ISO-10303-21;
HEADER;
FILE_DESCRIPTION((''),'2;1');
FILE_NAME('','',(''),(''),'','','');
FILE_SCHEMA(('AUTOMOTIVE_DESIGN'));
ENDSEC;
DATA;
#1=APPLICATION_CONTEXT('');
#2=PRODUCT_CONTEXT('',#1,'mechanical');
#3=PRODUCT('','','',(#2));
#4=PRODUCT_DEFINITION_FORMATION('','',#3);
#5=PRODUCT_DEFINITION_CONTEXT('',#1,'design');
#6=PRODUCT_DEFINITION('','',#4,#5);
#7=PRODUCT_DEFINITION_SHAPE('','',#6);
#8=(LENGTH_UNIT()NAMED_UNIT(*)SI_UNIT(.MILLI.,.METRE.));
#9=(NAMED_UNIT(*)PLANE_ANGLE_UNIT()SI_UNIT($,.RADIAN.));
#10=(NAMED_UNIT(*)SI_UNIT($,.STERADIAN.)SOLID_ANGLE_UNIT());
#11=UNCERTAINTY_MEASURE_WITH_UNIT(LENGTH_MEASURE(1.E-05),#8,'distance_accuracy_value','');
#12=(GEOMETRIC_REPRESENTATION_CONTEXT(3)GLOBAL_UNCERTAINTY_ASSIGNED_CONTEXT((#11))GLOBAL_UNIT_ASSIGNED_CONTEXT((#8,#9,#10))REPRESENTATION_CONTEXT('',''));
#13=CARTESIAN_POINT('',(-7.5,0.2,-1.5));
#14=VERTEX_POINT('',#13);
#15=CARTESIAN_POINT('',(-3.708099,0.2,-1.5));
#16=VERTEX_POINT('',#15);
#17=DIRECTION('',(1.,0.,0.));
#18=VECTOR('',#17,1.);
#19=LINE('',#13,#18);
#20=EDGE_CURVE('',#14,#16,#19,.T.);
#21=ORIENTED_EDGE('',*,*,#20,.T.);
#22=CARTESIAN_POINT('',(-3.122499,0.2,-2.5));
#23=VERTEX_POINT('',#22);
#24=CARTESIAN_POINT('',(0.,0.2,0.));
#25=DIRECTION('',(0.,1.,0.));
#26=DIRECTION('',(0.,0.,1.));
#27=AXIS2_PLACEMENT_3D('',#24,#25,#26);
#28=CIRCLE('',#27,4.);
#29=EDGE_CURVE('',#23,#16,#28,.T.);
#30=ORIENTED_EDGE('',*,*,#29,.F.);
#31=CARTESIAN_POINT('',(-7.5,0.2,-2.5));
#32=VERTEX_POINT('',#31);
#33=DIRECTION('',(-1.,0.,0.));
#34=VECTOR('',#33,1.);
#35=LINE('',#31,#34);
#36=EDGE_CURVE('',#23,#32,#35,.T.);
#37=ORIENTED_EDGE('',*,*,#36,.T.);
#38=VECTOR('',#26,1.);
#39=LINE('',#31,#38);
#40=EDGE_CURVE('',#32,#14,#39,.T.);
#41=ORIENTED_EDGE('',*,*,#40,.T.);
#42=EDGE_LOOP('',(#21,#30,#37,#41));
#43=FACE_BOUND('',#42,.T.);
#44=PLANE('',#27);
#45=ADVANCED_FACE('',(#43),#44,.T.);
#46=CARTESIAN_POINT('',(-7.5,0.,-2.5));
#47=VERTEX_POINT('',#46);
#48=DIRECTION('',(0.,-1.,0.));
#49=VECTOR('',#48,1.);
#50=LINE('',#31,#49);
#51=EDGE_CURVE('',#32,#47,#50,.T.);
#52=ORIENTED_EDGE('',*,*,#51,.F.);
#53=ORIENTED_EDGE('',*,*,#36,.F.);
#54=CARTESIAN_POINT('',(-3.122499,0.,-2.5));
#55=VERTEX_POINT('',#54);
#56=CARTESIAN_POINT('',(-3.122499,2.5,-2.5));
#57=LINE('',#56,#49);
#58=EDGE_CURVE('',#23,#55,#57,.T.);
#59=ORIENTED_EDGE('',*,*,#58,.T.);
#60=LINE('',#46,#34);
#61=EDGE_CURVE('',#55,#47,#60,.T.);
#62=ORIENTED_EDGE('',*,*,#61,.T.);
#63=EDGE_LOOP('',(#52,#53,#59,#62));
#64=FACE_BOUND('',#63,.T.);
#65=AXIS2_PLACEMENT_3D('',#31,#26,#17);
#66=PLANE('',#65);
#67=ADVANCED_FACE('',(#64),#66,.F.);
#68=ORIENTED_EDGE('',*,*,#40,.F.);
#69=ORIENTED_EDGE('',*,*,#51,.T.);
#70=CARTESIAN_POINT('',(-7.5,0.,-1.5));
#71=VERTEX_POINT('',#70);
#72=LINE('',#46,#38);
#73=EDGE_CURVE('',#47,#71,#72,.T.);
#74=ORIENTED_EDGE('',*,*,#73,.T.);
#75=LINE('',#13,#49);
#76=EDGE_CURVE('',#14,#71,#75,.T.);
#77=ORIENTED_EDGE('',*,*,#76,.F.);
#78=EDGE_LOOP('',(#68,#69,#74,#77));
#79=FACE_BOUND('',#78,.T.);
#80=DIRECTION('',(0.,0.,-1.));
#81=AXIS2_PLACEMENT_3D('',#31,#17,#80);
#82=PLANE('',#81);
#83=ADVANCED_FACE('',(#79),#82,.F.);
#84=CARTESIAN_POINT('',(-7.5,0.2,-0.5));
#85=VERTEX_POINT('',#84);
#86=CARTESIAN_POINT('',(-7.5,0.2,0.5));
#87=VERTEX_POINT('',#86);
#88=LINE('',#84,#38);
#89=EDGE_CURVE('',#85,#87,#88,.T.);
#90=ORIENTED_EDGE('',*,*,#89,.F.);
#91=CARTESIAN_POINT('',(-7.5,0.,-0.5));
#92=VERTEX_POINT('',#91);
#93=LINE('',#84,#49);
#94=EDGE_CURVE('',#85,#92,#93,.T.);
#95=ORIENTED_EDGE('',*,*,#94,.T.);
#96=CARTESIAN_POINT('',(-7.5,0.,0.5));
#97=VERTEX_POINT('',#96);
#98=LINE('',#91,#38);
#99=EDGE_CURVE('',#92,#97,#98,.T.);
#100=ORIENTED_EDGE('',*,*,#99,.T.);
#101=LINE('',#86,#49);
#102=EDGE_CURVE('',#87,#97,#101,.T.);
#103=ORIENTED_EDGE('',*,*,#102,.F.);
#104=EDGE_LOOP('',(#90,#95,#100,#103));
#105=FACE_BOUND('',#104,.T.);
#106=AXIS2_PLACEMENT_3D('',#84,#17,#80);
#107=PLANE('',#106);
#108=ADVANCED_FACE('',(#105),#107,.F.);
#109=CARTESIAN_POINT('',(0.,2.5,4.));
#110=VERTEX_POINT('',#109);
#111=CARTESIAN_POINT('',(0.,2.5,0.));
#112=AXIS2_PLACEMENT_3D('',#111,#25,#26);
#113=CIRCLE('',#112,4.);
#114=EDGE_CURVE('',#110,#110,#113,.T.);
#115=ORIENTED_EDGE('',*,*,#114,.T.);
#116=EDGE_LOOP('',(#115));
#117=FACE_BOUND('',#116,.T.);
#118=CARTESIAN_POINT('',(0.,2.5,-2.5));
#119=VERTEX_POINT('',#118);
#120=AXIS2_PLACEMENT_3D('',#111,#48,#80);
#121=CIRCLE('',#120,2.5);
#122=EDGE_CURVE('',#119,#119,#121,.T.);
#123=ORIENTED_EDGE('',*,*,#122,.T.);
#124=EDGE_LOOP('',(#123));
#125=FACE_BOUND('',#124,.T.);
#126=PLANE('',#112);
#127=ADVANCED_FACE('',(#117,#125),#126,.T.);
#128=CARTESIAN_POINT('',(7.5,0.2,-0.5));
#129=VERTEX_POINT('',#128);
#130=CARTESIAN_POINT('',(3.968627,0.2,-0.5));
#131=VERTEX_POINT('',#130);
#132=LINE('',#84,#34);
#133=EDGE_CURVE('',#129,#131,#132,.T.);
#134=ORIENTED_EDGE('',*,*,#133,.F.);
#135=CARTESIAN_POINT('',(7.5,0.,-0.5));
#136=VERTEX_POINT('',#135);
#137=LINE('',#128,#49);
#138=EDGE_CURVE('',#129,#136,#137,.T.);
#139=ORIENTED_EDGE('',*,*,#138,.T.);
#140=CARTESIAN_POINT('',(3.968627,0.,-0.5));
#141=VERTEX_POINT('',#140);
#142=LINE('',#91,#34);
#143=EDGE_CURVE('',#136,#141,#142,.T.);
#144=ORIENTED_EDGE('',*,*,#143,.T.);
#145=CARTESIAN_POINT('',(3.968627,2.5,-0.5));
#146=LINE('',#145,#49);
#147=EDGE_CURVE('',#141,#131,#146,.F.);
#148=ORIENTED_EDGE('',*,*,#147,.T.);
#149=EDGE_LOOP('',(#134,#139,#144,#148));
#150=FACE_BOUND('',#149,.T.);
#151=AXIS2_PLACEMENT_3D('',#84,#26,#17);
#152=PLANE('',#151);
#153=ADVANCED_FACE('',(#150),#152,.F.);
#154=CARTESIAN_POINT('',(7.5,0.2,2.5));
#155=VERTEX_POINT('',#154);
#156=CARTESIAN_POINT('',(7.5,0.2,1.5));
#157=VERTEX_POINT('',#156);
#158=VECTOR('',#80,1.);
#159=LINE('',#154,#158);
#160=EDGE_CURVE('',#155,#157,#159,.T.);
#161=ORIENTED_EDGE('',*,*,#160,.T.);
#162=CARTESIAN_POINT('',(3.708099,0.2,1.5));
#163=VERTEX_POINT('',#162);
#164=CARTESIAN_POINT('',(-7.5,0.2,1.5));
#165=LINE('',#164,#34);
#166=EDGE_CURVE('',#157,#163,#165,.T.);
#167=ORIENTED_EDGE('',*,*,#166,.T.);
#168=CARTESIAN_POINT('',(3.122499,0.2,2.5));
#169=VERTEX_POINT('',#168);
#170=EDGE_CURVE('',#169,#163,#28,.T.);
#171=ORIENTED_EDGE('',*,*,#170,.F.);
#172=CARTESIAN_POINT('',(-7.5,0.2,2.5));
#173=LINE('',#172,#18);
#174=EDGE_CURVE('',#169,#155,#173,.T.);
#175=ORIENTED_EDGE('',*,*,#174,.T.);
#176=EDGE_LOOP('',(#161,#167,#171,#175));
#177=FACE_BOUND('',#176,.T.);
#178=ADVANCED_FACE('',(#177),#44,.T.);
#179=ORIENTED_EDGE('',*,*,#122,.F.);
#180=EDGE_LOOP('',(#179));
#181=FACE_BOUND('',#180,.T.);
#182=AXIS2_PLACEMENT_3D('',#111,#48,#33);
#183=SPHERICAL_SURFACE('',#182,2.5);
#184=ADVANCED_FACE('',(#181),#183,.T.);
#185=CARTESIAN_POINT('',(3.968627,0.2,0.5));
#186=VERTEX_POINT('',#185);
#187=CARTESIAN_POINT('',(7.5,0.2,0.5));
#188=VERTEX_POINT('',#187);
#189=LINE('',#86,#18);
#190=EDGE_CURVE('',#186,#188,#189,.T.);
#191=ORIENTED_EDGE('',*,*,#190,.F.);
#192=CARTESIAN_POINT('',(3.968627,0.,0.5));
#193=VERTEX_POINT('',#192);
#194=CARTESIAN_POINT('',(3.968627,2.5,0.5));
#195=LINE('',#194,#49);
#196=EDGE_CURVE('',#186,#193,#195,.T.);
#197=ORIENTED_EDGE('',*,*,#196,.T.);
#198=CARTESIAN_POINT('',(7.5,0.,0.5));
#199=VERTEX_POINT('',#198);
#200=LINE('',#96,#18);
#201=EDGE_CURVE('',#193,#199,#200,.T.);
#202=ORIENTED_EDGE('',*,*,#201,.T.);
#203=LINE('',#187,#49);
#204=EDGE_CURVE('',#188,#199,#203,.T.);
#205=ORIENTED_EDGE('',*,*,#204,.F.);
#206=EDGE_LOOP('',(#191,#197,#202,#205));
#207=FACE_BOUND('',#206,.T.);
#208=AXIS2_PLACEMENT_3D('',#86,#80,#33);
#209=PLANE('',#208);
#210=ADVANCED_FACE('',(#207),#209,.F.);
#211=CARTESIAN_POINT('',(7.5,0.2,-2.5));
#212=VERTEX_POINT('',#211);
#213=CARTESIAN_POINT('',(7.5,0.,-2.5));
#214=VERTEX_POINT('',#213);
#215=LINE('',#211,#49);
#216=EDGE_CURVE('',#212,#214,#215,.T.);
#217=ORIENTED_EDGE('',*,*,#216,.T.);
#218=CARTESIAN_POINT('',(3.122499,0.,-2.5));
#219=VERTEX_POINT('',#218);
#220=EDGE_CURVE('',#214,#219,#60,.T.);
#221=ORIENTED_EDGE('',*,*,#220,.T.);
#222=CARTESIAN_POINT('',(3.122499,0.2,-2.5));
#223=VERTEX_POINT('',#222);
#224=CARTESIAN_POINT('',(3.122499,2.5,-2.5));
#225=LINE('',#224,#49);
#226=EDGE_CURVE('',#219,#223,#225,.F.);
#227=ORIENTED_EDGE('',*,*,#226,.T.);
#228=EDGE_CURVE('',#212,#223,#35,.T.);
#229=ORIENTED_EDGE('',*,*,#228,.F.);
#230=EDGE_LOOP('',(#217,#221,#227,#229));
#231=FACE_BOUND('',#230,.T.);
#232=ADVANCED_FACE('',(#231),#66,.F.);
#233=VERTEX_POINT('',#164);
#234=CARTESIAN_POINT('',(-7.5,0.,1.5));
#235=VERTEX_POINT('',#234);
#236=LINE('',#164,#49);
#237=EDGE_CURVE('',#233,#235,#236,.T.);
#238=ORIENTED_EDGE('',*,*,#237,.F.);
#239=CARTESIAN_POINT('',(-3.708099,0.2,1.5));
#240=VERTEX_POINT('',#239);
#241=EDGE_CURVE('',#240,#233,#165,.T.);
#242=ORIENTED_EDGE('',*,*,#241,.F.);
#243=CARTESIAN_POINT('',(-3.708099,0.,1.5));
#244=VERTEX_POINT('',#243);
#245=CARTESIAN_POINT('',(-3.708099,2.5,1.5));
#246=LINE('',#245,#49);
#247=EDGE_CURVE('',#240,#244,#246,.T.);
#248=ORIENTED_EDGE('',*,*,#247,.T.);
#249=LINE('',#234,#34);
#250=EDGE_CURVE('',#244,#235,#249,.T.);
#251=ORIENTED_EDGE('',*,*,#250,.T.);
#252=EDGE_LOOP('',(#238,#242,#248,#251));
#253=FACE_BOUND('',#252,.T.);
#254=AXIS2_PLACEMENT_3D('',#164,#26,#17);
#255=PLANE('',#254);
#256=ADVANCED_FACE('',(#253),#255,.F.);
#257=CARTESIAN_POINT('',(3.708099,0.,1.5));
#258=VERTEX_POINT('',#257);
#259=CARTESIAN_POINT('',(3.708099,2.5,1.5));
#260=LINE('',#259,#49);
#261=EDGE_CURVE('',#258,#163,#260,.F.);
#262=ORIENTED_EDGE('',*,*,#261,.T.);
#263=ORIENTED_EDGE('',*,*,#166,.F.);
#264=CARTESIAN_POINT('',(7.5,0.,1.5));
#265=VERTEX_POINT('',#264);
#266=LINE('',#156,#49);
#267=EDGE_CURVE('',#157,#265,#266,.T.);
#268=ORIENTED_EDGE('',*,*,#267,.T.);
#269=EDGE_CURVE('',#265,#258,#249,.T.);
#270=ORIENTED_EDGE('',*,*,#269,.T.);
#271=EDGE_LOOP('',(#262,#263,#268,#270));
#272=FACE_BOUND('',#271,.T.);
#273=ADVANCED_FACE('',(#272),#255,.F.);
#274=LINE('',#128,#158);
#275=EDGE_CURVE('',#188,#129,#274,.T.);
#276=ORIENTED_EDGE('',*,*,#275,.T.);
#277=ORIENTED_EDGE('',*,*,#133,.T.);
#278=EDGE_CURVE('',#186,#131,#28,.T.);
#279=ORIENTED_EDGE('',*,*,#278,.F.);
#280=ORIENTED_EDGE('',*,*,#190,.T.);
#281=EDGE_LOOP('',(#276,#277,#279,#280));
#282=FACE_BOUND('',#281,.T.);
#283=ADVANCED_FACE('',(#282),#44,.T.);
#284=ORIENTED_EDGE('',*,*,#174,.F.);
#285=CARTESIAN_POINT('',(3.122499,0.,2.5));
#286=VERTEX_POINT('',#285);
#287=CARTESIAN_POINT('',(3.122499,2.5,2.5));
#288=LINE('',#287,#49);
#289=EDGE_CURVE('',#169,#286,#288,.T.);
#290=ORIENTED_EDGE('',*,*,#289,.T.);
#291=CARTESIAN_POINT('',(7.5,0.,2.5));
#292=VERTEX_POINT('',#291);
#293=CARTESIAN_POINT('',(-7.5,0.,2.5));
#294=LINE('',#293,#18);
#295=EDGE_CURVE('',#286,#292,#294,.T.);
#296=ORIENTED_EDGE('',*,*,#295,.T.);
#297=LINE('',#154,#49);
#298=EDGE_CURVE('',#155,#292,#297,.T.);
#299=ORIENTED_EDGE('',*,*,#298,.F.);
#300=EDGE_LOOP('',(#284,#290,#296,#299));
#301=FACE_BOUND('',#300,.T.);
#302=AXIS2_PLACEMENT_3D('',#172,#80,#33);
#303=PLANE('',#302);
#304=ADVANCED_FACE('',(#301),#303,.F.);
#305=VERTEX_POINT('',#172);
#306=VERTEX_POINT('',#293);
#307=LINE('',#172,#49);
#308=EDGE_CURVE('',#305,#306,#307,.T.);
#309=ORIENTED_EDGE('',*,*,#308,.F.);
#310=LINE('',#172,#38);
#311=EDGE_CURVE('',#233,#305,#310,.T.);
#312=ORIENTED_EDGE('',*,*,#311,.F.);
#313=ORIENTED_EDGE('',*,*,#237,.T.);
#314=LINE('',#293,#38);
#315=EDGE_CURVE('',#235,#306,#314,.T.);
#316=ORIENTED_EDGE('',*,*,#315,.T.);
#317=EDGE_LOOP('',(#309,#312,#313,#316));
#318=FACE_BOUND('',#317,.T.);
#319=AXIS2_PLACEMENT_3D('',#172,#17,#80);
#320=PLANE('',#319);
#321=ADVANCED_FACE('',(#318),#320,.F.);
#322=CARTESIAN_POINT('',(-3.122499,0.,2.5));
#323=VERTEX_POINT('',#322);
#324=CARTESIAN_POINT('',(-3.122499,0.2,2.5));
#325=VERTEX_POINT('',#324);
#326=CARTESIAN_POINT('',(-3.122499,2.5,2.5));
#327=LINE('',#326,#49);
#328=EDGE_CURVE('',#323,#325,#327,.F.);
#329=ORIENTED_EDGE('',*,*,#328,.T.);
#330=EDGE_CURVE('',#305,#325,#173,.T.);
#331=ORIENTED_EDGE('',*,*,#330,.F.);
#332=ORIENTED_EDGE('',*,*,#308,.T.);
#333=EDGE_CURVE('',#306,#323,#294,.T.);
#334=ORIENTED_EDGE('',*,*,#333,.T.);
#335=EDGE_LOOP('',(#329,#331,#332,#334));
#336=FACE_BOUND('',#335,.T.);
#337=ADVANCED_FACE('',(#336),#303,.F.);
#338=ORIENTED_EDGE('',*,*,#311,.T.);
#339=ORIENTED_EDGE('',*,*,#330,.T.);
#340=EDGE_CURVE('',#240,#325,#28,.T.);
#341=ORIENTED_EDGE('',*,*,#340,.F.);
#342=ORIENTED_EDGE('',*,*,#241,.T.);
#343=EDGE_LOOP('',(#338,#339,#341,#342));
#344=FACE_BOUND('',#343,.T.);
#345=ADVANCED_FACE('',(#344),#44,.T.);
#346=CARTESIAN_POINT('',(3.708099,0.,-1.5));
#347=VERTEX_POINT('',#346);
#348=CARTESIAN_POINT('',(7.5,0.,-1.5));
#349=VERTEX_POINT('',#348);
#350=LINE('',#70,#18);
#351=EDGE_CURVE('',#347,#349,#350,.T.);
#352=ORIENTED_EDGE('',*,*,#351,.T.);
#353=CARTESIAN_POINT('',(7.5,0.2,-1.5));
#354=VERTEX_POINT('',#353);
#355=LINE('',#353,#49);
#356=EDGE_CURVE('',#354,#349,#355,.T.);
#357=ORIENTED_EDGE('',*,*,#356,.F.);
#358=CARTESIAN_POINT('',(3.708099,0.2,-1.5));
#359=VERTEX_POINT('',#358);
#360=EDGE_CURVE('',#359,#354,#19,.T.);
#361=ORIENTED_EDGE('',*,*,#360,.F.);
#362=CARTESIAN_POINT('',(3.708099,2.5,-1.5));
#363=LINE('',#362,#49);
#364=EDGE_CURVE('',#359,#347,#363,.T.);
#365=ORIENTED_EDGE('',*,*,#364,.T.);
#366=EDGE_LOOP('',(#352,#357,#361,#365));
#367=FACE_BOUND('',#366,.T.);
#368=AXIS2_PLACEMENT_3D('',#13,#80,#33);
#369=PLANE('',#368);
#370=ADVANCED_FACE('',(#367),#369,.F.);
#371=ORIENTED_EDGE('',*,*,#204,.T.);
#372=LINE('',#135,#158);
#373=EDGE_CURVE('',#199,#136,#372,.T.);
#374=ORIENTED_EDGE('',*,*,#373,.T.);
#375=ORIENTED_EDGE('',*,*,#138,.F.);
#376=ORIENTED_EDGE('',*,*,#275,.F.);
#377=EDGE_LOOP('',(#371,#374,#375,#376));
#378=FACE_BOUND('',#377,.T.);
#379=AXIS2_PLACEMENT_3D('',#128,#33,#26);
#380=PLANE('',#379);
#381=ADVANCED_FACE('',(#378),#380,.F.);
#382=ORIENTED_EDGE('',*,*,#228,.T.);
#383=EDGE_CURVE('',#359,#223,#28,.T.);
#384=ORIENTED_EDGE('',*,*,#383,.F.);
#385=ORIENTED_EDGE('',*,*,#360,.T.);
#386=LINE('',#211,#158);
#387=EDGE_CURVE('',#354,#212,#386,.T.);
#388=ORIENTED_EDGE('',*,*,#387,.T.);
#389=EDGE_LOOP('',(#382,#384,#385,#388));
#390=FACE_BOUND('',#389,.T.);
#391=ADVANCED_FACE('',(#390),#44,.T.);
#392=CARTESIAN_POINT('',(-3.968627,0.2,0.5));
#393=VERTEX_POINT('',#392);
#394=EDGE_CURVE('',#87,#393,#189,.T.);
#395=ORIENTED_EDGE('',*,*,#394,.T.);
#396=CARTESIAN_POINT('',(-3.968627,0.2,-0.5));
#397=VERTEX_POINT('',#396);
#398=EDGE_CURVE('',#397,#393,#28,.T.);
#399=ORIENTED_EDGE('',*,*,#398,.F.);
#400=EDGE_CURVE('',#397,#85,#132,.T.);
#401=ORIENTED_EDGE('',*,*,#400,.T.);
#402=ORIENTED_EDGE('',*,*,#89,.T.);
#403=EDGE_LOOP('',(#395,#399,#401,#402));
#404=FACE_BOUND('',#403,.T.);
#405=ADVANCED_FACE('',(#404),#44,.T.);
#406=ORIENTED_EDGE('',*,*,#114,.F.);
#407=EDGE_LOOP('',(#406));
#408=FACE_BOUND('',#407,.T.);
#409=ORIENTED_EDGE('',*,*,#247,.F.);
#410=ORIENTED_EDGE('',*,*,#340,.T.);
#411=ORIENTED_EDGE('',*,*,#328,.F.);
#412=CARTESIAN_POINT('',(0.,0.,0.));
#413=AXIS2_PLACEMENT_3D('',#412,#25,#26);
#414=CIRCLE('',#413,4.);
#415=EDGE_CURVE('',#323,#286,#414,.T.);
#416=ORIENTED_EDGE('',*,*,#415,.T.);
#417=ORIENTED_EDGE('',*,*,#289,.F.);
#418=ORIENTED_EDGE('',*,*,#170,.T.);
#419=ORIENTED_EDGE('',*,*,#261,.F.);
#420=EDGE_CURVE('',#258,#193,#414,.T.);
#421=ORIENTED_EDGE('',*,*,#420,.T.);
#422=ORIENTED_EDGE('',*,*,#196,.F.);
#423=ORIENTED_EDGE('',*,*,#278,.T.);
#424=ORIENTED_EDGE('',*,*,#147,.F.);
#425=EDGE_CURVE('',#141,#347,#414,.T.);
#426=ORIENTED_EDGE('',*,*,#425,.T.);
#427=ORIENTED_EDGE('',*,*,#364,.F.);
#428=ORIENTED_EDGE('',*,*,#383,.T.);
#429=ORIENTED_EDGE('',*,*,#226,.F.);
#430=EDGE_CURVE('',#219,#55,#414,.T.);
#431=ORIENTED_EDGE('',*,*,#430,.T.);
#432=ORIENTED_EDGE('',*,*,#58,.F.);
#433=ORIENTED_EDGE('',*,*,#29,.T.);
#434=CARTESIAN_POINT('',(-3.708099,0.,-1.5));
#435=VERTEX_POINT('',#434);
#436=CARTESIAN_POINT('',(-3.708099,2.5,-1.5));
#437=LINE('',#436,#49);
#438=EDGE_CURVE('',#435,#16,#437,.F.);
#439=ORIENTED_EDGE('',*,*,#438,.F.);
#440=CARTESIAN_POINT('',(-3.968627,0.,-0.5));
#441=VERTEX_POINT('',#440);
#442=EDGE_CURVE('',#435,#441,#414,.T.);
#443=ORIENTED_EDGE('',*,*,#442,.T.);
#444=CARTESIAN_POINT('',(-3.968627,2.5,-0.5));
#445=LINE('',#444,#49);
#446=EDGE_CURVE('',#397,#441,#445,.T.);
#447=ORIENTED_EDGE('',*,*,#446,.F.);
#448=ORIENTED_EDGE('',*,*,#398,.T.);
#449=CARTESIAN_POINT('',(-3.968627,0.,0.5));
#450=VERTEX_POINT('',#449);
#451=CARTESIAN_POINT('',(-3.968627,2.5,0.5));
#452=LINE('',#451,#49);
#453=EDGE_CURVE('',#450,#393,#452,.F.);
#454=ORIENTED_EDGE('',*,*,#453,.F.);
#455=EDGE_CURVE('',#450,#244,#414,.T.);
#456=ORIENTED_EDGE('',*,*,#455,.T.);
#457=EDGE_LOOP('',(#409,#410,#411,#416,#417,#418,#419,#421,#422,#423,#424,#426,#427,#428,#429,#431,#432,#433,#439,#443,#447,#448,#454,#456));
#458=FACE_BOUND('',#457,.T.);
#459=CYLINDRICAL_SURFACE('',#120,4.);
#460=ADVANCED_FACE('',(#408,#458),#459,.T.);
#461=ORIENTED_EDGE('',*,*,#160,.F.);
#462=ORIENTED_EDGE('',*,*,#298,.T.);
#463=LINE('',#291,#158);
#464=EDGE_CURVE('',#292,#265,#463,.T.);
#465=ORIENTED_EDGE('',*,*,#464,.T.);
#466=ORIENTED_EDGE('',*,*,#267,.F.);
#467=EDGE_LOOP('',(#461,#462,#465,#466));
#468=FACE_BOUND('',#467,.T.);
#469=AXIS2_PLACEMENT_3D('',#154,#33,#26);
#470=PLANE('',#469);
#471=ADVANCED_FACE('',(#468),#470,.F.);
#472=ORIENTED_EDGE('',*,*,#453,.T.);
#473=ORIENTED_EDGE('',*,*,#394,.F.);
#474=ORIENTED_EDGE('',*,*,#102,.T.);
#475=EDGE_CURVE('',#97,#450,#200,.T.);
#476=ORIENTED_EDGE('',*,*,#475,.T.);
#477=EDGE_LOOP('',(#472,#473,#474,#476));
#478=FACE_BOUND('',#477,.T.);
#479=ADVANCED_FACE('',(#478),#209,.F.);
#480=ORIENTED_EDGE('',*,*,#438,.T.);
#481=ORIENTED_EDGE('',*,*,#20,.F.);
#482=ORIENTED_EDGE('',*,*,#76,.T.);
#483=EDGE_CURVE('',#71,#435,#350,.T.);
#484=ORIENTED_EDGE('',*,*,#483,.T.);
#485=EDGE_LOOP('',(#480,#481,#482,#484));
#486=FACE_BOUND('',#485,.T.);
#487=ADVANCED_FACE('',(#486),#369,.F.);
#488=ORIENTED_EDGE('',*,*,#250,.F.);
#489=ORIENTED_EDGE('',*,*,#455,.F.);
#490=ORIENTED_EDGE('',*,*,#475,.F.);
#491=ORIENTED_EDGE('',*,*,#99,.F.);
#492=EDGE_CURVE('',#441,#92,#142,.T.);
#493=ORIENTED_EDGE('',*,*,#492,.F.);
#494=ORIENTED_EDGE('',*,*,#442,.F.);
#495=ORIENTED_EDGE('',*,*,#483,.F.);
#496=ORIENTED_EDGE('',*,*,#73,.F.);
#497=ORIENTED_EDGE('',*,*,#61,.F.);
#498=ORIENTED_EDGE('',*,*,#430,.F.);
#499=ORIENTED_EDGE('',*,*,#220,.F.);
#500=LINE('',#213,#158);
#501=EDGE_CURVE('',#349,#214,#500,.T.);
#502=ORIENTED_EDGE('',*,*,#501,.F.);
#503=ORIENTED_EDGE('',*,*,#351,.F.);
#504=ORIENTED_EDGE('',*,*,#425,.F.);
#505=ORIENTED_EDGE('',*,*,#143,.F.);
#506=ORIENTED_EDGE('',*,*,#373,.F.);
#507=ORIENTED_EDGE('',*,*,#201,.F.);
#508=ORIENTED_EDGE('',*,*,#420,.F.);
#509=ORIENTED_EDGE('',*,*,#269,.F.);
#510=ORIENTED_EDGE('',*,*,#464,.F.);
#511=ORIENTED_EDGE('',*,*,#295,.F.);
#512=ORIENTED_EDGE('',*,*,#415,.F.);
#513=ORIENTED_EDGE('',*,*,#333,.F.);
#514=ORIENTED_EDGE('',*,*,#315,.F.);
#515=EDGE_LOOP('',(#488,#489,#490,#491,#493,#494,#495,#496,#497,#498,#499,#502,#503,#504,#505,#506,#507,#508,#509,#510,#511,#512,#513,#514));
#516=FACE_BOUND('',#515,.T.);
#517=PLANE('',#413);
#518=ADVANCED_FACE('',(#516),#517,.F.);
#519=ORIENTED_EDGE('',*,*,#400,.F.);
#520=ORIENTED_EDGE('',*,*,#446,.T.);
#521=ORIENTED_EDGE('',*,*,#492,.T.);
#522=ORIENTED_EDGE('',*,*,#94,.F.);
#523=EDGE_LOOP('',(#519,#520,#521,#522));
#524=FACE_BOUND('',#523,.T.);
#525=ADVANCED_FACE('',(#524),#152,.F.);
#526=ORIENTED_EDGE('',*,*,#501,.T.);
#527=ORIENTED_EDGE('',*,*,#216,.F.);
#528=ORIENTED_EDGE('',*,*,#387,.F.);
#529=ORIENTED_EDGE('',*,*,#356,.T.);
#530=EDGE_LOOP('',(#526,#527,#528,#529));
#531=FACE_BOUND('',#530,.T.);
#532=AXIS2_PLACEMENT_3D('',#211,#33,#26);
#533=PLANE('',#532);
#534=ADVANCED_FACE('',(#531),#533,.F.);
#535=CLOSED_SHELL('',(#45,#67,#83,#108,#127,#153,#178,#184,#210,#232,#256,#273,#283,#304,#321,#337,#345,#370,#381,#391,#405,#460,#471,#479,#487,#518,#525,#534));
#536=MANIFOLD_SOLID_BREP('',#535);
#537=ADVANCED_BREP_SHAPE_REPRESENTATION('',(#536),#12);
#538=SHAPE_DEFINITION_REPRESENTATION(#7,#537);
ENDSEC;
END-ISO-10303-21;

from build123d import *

# Parameters (mm, degrees)
SKETCH_1_R      = 4
EXTRUDE_1_DEPTH = 2.5
SKETCH_3_W      = 15
SKETCH_3_H      = 1
EXTRUDE_2_DEPTH = 0.2


with BuildPart() as part:
    # Эскиз1 → Бобышка-Вытянуть1 (new body)
    with BuildSketch(Plane(origin=(0, 0, 0), x_dir=(1, 0, 0), z_dir=(0, 1, 0))):
        with Locations(Location((0, 0, 0), (0, 0, 270))):
            Circle(SKETCH_1_R)
    extrude(amount=EXTRUDE_1_DEPTH)

    # Эскиз2 → Повернуть1 (revolve)
    with BuildSketch(Plane.XY):
        with BuildLine():
            Line((-2.5, 2.5), (0, 2.5))
            Line((0, 2.5), (0, 5))
            ThreePointArc((0, 5), (-1.767766953, 4.267766953), (-2.5, 2.5))
        make_face()
    revolve(axis=Axis((0, 0, 0), (0, 1, 0)))

    # Эскиз3 → Бобышка-Вытянуть2 (add)
    with BuildSketch(Plane(origin=(0, 0, 0), x_dir=(1, 0, 0), z_dir=(0, 1, 0))):
        with Locations((0, 2)):
            Rectangle(SKETCH_3_W, SKETCH_3_H)
        Rectangle(SKETCH_3_W, SKETCH_3_H)
        with Locations((0, -2)):
            Rectangle(SKETCH_3_W, SKETCH_3_H)
    extrude(amount=EXTRUDE_2_DEPTH)


solid = part.part
